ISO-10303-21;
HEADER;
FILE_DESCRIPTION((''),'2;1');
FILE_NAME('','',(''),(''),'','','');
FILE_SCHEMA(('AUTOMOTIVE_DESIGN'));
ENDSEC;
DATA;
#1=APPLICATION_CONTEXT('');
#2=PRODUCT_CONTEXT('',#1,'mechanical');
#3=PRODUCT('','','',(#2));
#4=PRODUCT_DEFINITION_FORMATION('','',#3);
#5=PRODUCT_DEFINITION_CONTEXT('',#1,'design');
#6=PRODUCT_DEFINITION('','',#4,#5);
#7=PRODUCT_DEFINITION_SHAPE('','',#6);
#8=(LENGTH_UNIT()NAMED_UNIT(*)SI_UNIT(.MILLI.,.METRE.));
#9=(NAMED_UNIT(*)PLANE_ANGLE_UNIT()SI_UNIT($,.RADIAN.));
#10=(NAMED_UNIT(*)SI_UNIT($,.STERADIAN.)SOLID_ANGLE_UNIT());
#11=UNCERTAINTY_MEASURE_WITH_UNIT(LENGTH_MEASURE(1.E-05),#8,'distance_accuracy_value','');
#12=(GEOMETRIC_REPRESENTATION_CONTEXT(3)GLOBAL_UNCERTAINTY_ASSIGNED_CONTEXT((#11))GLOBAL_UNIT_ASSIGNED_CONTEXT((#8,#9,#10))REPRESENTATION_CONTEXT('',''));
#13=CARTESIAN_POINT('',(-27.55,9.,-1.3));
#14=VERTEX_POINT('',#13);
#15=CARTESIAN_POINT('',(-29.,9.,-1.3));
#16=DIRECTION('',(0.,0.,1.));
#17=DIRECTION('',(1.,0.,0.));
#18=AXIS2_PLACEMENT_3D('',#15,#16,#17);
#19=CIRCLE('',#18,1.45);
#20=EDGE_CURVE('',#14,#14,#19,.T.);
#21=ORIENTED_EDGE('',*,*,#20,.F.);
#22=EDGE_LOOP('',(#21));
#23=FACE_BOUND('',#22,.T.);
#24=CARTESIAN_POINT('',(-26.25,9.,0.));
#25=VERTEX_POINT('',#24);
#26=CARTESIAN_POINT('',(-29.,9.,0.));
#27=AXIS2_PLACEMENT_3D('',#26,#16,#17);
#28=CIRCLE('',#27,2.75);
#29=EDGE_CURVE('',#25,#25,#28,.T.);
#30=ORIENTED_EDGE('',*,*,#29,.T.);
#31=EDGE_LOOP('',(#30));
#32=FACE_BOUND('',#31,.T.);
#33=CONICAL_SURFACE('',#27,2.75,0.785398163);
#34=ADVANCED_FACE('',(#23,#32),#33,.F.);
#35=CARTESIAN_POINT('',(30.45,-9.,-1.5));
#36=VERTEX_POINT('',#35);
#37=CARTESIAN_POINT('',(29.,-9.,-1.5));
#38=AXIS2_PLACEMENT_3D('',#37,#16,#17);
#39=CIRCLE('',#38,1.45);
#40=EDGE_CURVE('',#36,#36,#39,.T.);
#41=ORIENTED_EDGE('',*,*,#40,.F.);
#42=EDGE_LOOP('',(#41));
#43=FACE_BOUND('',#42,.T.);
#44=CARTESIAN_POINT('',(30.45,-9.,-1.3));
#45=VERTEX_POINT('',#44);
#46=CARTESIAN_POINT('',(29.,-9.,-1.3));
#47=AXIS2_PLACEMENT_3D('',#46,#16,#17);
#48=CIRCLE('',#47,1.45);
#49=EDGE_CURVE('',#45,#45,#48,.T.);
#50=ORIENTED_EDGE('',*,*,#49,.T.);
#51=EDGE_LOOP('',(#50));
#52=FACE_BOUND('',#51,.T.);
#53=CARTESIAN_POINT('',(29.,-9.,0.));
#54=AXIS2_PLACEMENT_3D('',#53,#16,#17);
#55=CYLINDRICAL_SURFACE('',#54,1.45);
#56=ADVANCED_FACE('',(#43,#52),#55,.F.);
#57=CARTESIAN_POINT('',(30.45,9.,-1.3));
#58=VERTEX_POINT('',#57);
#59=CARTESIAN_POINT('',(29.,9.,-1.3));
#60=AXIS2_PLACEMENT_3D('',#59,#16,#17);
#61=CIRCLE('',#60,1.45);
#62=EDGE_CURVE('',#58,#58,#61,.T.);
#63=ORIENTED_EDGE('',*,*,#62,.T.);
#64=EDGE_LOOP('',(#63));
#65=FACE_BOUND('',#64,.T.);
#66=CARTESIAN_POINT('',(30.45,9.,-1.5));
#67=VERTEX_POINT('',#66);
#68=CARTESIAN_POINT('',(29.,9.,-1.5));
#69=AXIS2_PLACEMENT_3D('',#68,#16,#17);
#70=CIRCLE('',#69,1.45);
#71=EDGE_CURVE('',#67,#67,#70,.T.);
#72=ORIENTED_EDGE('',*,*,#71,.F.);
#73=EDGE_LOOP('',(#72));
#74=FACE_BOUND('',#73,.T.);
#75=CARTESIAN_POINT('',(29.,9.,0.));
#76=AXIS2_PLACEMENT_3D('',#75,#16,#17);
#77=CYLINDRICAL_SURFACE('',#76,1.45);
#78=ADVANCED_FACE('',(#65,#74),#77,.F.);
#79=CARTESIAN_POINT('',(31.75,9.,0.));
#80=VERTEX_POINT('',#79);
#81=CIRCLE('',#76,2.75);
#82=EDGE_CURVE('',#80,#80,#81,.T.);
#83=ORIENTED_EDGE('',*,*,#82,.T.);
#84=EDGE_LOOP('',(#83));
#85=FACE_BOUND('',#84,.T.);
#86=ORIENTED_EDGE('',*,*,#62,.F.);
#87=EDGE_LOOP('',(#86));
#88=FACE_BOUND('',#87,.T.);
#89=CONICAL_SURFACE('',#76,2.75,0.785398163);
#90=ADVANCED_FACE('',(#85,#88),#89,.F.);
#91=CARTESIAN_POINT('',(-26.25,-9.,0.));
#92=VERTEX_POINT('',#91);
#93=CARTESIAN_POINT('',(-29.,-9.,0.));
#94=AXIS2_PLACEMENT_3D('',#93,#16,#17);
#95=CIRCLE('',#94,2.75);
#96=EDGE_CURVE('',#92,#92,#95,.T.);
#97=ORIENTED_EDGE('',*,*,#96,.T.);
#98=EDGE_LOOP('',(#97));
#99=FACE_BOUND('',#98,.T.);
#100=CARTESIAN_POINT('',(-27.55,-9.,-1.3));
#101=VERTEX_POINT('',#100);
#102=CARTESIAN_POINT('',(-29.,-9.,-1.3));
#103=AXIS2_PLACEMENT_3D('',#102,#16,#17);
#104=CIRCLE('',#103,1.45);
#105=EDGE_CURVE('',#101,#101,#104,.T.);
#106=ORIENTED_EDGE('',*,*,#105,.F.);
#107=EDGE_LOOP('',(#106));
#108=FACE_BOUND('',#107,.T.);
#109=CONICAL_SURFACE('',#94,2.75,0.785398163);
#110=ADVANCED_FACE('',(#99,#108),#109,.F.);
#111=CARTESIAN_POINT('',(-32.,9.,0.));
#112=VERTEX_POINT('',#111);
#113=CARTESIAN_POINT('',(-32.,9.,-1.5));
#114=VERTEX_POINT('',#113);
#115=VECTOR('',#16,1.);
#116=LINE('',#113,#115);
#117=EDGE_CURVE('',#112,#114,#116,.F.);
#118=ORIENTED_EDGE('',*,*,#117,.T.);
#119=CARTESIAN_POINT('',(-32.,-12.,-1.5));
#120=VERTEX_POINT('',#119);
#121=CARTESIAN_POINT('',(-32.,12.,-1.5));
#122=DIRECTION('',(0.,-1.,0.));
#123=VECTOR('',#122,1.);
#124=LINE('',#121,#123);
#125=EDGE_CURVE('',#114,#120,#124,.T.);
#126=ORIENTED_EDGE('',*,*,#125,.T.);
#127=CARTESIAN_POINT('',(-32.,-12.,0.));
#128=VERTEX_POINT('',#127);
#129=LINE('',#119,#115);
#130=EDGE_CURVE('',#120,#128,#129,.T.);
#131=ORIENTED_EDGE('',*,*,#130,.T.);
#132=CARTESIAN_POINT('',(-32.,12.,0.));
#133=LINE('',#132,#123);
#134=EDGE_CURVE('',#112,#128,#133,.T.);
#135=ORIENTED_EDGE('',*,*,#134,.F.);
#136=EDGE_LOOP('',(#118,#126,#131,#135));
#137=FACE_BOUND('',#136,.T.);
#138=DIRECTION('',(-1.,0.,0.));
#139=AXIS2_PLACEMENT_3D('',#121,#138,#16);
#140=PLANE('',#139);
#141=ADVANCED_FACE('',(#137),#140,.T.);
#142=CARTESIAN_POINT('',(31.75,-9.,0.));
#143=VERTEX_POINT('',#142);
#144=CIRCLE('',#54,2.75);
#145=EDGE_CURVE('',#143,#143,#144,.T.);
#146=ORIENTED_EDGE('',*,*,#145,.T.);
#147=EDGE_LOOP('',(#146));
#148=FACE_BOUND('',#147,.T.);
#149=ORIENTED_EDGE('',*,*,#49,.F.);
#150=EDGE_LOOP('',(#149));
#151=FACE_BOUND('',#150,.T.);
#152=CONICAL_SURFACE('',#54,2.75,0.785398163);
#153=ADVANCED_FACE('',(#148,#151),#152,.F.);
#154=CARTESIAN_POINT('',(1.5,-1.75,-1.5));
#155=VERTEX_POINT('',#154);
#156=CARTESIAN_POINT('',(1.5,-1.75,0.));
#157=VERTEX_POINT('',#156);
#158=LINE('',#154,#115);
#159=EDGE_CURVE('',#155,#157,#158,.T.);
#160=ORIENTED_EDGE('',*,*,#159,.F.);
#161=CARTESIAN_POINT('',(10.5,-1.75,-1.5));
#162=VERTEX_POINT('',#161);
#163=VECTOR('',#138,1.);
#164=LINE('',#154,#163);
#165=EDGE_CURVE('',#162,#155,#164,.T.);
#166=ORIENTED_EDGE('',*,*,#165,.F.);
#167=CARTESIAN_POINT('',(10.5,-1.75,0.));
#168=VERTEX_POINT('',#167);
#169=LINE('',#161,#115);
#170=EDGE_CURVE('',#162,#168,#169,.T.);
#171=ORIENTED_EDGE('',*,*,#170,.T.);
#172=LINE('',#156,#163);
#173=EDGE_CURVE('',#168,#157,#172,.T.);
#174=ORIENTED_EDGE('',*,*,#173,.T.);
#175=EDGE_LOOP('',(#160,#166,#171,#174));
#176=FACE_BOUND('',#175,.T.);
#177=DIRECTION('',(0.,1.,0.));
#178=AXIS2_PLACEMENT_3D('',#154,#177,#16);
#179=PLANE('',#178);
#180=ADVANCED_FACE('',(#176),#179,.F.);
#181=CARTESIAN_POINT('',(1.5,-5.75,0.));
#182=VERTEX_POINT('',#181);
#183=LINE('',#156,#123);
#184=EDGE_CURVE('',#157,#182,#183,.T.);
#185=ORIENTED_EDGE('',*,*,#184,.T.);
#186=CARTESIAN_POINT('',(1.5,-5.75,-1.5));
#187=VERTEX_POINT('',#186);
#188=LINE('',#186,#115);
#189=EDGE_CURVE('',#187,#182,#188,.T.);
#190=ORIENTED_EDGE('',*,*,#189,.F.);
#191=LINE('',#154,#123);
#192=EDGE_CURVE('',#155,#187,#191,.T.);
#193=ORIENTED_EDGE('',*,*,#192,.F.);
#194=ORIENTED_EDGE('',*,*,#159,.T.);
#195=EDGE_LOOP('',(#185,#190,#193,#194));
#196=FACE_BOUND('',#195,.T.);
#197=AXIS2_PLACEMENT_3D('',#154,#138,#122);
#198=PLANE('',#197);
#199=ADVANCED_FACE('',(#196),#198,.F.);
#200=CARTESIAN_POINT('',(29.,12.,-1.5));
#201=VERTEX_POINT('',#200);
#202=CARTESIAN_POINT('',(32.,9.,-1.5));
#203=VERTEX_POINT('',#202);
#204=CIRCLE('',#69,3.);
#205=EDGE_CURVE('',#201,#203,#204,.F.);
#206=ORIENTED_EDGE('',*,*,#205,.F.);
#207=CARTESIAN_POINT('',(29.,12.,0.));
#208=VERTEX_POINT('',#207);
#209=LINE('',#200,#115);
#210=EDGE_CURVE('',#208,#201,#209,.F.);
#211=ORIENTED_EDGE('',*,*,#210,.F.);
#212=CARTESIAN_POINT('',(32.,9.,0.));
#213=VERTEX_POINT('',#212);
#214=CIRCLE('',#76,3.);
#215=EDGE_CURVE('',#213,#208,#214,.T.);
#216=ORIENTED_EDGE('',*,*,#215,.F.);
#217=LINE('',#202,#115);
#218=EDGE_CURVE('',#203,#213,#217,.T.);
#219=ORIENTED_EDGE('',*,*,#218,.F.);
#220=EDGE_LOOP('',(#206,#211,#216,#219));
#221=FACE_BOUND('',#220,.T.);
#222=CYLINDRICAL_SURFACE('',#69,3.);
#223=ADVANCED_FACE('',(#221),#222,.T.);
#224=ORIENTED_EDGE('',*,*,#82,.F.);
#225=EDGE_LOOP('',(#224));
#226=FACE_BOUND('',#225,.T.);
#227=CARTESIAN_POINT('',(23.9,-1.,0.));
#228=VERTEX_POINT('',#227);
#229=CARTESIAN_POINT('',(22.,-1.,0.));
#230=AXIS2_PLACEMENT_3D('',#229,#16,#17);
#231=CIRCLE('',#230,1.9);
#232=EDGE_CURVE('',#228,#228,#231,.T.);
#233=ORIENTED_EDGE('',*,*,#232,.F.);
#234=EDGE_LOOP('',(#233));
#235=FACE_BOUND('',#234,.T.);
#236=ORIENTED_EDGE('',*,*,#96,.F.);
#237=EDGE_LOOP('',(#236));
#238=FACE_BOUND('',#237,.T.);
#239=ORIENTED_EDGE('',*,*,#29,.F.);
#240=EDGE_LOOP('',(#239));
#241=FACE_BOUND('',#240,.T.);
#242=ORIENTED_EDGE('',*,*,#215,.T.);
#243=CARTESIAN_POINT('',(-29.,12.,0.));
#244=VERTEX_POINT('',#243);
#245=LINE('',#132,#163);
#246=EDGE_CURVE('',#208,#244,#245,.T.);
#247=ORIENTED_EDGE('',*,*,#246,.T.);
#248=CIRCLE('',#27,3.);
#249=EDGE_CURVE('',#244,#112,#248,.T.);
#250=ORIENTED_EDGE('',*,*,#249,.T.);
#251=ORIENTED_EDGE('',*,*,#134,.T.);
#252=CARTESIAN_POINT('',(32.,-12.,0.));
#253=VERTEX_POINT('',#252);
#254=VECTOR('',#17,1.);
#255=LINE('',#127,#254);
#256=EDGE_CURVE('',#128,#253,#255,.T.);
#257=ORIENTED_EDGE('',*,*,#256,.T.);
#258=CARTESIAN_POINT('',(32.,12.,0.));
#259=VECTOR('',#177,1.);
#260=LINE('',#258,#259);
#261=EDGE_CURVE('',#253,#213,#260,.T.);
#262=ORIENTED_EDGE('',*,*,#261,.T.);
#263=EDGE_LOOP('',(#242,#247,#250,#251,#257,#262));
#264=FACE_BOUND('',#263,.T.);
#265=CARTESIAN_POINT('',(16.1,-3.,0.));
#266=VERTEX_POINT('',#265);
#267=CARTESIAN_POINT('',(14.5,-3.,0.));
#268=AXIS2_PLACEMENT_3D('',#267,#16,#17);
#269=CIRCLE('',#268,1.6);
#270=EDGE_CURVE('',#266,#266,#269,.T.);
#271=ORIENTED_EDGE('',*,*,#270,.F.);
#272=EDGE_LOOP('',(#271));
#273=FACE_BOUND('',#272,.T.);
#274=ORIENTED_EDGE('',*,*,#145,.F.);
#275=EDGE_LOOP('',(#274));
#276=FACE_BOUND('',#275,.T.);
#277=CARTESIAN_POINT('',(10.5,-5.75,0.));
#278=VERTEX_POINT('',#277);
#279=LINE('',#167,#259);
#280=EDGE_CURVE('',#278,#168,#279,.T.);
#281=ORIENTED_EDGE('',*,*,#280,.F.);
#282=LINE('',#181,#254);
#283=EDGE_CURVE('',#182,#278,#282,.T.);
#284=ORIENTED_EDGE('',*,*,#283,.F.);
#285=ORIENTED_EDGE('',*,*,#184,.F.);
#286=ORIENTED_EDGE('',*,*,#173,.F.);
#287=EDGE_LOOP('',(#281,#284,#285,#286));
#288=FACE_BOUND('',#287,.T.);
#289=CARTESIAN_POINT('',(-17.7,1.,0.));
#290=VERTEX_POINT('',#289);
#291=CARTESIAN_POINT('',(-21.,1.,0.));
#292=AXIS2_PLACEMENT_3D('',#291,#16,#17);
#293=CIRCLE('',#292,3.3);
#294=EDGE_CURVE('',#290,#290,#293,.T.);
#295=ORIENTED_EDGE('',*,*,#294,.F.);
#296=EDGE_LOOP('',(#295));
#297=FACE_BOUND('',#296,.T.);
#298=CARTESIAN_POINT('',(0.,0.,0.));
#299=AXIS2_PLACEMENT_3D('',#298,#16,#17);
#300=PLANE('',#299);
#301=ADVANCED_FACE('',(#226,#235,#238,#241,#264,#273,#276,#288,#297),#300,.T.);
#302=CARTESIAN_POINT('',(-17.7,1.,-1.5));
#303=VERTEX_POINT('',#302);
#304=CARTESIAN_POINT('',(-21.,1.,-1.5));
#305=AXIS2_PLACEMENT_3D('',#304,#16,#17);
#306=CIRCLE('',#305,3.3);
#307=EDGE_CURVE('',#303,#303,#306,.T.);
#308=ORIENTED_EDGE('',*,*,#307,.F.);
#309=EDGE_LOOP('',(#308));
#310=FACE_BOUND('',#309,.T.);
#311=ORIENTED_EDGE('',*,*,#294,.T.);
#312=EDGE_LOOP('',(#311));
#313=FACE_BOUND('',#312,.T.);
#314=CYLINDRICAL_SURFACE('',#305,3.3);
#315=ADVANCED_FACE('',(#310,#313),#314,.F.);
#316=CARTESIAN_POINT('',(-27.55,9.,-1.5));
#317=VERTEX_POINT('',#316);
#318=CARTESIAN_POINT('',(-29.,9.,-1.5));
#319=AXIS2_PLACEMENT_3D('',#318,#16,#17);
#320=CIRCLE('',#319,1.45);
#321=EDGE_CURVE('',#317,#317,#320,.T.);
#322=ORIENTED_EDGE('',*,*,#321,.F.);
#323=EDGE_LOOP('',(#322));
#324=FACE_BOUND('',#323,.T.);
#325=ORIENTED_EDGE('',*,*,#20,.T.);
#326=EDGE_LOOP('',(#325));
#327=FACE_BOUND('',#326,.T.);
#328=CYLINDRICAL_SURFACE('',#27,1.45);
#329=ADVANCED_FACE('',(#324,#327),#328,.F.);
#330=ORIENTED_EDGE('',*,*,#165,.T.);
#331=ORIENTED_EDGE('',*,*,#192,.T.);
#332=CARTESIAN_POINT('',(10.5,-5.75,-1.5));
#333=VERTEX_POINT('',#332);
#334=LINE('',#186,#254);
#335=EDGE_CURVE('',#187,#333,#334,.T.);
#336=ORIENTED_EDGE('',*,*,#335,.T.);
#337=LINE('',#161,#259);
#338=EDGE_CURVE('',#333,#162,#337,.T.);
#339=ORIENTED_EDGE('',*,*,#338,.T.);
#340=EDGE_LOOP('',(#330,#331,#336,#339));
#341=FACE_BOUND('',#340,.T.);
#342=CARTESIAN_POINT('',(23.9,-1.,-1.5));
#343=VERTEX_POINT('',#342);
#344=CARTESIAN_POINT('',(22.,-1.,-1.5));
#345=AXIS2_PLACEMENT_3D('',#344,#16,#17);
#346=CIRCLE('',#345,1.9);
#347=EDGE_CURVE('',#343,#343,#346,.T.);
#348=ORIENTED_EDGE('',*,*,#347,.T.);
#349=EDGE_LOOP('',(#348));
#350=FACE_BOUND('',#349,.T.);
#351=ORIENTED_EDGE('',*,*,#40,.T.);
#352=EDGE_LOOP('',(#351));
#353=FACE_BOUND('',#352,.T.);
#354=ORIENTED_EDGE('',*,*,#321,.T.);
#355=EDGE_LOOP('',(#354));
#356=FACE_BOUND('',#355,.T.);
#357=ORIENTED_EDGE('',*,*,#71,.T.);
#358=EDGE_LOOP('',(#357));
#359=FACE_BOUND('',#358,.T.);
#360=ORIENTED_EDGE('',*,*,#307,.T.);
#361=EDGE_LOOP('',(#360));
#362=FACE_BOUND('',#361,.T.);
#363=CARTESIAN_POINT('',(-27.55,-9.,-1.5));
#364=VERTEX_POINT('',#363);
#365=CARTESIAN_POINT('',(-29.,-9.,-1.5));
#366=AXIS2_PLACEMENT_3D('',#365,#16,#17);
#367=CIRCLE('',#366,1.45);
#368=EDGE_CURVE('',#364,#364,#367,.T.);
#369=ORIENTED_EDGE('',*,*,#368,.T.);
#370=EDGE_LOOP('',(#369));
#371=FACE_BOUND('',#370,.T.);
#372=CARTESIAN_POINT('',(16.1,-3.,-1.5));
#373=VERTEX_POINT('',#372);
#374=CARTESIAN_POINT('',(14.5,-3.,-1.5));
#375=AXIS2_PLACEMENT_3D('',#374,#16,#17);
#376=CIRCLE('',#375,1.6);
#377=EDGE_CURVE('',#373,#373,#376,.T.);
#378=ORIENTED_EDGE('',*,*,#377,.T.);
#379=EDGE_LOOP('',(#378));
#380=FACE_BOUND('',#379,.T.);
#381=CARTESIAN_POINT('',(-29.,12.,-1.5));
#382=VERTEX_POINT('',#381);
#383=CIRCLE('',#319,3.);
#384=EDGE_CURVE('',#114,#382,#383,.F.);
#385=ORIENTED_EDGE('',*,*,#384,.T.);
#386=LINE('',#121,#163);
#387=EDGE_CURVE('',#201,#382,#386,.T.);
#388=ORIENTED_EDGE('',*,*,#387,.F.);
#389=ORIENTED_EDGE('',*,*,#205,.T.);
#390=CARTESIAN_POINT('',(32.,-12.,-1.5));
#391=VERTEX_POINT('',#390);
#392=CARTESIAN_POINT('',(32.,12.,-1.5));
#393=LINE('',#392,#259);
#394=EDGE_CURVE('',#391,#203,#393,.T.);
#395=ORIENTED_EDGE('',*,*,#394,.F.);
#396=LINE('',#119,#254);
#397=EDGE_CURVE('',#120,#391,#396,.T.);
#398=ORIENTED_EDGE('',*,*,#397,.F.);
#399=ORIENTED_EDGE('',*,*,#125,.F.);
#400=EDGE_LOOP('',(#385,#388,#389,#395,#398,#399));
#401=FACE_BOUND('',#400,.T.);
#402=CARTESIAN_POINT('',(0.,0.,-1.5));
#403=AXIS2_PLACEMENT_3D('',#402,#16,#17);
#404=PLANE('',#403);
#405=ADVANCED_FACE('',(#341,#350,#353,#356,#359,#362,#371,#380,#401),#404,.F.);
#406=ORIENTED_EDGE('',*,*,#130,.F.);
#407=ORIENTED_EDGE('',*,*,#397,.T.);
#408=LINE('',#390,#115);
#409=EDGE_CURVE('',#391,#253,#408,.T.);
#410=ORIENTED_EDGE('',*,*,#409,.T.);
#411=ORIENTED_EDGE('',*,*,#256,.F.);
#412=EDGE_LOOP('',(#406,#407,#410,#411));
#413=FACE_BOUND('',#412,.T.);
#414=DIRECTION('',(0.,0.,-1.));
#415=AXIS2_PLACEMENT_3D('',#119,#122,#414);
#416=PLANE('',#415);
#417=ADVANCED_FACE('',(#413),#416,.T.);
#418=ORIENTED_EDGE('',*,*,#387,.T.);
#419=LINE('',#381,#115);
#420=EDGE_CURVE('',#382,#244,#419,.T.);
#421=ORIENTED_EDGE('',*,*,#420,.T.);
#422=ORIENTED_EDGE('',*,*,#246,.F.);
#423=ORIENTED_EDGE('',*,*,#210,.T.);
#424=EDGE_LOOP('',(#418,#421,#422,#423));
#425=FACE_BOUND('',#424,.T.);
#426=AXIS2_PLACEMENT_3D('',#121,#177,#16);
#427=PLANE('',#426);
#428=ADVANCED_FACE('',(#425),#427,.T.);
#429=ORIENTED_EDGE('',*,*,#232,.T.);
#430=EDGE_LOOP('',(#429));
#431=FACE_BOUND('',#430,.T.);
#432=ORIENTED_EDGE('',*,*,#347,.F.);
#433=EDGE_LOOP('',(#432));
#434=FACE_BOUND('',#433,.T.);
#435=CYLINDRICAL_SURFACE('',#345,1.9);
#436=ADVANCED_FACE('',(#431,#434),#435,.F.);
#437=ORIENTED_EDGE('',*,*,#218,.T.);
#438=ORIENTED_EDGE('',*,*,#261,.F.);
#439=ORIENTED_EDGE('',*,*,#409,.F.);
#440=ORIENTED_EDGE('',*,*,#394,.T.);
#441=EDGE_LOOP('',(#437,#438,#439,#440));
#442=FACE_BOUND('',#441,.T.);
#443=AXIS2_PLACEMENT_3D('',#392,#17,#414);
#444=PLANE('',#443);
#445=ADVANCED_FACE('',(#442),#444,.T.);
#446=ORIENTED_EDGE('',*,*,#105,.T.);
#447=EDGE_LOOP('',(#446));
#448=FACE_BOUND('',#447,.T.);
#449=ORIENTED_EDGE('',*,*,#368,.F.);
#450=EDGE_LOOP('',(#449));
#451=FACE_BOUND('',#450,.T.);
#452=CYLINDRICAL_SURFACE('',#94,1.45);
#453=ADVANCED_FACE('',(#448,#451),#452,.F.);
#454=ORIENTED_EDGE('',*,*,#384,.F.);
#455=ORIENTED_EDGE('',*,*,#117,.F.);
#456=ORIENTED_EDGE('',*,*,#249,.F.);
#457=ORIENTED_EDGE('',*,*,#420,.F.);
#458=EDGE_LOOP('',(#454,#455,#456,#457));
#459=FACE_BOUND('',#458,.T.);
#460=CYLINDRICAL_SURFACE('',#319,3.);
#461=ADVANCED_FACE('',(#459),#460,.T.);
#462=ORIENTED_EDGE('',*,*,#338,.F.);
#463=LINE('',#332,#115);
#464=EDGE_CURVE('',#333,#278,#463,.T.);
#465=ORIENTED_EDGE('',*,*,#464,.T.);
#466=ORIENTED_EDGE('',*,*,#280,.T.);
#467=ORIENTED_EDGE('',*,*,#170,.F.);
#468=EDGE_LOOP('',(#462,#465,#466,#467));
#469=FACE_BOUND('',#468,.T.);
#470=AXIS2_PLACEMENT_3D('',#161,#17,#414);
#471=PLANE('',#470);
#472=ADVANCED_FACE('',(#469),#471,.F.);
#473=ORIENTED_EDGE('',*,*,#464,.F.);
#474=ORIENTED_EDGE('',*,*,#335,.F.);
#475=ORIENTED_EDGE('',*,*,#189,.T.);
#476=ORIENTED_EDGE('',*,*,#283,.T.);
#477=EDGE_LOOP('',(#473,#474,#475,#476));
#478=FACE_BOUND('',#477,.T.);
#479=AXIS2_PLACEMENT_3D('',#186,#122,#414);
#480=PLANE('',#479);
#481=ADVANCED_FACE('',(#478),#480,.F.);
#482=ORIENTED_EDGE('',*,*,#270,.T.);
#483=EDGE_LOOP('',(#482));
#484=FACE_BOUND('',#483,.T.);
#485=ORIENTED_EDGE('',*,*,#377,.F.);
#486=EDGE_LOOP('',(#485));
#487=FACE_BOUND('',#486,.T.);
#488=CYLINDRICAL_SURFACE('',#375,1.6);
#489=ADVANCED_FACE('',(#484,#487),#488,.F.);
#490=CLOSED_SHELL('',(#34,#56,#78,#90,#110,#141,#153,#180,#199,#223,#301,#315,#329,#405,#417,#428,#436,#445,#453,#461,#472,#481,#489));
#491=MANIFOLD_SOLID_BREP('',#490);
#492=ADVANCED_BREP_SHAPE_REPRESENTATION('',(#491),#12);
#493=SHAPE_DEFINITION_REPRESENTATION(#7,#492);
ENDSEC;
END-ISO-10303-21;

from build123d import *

# Parameters (mm, degrees)
SKETCH1_W                                      = 64
SKETCH1_H                                      = 24
BOSS_EXTRUDE1_DEPTH                            = 1.5
CSK_FOR_M2_5_FLAT_HEAD_MACHINE_SCREW1_AT_COUNT = 2
CSK_FOR_M2_5_FLAT_HEAD_MACHINE_SCREW1_AT_PITCH = 58
CSK_FOR_M2_5_FLAT_HEAD_MACHINE_SCREW_2_COUNT   = 2
CSK_FOR_M2_5_FLAT_HEAD_MACHINE_SCREW_2_PITCH   = 18
CSK_FOR_M2_5_FLAT_HEAD_MACHINE_SCREW_3_COUNT   = 2
CSK_FOR_M2_5_FLAT_HEAD_MACHINE_SCREW_3_PITCH   = 60.728905803
FILLET1_R                                      = 3
SKETCH4_R                                      = 3.3
CUT_EXTRUDE1_DEPTH                             = 35.208916966
SKETCH5_R                                      = 1.6
CUT_EXTRUDE2_DEPTH                             = 35.208916966
SKETCH6_R                                      = 1.9
CUT_EXTRUDE3_DEPTH                             = 35.208916966
SKETCH7_W                                      = 9
SKETCH7_H                                      = 4
CUT_EXTRUDE4_DEPTH                             = 35.208916966


with BuildPart() as part:
    # Sketch1 → Boss-Extrude1 (new body)
    with BuildSketch(Plane.XY):
        Rectangle(SKETCH1_W, SKETCH1_H)
    extrude(amount=-BOSS_EXTRUDE1_DEPTH)

    # Sketch2 → CSK for M2.5 Flat Head Machine Screw1 (revolve, cut)
    with BuildSketch(Plane(origin=(-29, 9, 0), x_dir=(0, -1, 0), z_dir=(1, 0, 0))):
        Polygon((0, 0), (0, 1.5), (1.45, 1.5), (1.45, 1.3), (2.75, 0), align=None)
    csk_for_m2_5_flat_head_machine_screw1 = revolve(axis=Axis((-29, 9, 6.35), (0, 0, -1)), mode=Mode.SUBTRACT)

    # CSK for M2.5 Flat Head Machine Screw1 at: CSK for M2.5 Flat Head Machine Screw1 ×2
    with Locations(*[(i * CSK_FOR_M2_5_FLAT_HEAD_MACHINE_SCREW1_AT_PITCH, 0, 0) for i in range(1, CSK_FOR_M2_5_FLAT_HEAD_MACHINE_SCREW1_AT_COUNT)]):
        add(csk_for_m2_5_flat_head_machine_screw1, mode=Mode.SUBTRACT)

    # CSK for M2.5 Flat Head Machine Screw 2: CSK for M2.5 Flat Head Machine Screw1 ×2
    with Locations(*[(0, -i * CSK_FOR_M2_5_FLAT_HEAD_MACHINE_SCREW_2_PITCH, 0) for i in range(1, CSK_FOR_M2_5_FLAT_HEAD_MACHINE_SCREW_2_COUNT)]):
        add(csk_for_m2_5_flat_head_machine_screw1, mode=Mode.SUBTRACT)

    # CSK for M2.5 Flat Head Machine Screw 3: CSK for M2.5 Flat Head Machine Screw1 ×2
    with Locations(*[Vector(0.9550641368112371, -0.2963992148724529, 0) * (i * CSK_FOR_M2_5_FLAT_HEAD_MACHINE_SCREW_3_PITCH) for i in range(1, CSK_FOR_M2_5_FLAT_HEAD_MACHINE_SCREW_3_COUNT)]):
        add(csk_for_m2_5_flat_head_machine_screw1, mode=Mode.SUBTRACT)

    # Fillet1
    fillet1_edges = [part.edges().sort_by_distance(p)[0] for p in [
        (-32, 12, -0.75),
        (32, 12, -0.75),
    ]]
    fillet(fillet1_edges, radius=FILLET1_R)

    # Sketch4 → Cut-Extrude1 (cut, through all)
    with BuildSketch(Plane.XY):
        with Locations((-21, 1)):
            Circle(SKETCH4_R)
    extrude(amount=-CUT_EXTRUDE1_DEPTH, mode=Mode.SUBTRACT)

    # Sketch5 → Cut-Extrude2 (cut, through all)
    with BuildSketch(Plane.XY):
        with Locations((14.5, -3)):
            Circle(SKETCH5_R)
    extrude(amount=-CUT_EXTRUDE2_DEPTH, mode=Mode.SUBTRACT)

    # Sketch6 → Cut-Extrude3 (cut, through all)
    with BuildSketch(Plane.XY):
        with Locations((22, -1)):
            Circle(SKETCH6_R)
    extrude(amount=-CUT_EXTRUDE3_DEPTH, mode=Mode.SUBTRACT)

    # Sketch7 → Cut-Extrude4 (cut, through all)
    with BuildSketch(Plane.XY):
        with Locations((6, -3.75)):
            Rectangle(SKETCH7_W, SKETCH7_H)
    extrude(amount=-CUT_EXTRUDE4_DEPTH, mode=Mode.SUBTRACT)


solid = part.part
